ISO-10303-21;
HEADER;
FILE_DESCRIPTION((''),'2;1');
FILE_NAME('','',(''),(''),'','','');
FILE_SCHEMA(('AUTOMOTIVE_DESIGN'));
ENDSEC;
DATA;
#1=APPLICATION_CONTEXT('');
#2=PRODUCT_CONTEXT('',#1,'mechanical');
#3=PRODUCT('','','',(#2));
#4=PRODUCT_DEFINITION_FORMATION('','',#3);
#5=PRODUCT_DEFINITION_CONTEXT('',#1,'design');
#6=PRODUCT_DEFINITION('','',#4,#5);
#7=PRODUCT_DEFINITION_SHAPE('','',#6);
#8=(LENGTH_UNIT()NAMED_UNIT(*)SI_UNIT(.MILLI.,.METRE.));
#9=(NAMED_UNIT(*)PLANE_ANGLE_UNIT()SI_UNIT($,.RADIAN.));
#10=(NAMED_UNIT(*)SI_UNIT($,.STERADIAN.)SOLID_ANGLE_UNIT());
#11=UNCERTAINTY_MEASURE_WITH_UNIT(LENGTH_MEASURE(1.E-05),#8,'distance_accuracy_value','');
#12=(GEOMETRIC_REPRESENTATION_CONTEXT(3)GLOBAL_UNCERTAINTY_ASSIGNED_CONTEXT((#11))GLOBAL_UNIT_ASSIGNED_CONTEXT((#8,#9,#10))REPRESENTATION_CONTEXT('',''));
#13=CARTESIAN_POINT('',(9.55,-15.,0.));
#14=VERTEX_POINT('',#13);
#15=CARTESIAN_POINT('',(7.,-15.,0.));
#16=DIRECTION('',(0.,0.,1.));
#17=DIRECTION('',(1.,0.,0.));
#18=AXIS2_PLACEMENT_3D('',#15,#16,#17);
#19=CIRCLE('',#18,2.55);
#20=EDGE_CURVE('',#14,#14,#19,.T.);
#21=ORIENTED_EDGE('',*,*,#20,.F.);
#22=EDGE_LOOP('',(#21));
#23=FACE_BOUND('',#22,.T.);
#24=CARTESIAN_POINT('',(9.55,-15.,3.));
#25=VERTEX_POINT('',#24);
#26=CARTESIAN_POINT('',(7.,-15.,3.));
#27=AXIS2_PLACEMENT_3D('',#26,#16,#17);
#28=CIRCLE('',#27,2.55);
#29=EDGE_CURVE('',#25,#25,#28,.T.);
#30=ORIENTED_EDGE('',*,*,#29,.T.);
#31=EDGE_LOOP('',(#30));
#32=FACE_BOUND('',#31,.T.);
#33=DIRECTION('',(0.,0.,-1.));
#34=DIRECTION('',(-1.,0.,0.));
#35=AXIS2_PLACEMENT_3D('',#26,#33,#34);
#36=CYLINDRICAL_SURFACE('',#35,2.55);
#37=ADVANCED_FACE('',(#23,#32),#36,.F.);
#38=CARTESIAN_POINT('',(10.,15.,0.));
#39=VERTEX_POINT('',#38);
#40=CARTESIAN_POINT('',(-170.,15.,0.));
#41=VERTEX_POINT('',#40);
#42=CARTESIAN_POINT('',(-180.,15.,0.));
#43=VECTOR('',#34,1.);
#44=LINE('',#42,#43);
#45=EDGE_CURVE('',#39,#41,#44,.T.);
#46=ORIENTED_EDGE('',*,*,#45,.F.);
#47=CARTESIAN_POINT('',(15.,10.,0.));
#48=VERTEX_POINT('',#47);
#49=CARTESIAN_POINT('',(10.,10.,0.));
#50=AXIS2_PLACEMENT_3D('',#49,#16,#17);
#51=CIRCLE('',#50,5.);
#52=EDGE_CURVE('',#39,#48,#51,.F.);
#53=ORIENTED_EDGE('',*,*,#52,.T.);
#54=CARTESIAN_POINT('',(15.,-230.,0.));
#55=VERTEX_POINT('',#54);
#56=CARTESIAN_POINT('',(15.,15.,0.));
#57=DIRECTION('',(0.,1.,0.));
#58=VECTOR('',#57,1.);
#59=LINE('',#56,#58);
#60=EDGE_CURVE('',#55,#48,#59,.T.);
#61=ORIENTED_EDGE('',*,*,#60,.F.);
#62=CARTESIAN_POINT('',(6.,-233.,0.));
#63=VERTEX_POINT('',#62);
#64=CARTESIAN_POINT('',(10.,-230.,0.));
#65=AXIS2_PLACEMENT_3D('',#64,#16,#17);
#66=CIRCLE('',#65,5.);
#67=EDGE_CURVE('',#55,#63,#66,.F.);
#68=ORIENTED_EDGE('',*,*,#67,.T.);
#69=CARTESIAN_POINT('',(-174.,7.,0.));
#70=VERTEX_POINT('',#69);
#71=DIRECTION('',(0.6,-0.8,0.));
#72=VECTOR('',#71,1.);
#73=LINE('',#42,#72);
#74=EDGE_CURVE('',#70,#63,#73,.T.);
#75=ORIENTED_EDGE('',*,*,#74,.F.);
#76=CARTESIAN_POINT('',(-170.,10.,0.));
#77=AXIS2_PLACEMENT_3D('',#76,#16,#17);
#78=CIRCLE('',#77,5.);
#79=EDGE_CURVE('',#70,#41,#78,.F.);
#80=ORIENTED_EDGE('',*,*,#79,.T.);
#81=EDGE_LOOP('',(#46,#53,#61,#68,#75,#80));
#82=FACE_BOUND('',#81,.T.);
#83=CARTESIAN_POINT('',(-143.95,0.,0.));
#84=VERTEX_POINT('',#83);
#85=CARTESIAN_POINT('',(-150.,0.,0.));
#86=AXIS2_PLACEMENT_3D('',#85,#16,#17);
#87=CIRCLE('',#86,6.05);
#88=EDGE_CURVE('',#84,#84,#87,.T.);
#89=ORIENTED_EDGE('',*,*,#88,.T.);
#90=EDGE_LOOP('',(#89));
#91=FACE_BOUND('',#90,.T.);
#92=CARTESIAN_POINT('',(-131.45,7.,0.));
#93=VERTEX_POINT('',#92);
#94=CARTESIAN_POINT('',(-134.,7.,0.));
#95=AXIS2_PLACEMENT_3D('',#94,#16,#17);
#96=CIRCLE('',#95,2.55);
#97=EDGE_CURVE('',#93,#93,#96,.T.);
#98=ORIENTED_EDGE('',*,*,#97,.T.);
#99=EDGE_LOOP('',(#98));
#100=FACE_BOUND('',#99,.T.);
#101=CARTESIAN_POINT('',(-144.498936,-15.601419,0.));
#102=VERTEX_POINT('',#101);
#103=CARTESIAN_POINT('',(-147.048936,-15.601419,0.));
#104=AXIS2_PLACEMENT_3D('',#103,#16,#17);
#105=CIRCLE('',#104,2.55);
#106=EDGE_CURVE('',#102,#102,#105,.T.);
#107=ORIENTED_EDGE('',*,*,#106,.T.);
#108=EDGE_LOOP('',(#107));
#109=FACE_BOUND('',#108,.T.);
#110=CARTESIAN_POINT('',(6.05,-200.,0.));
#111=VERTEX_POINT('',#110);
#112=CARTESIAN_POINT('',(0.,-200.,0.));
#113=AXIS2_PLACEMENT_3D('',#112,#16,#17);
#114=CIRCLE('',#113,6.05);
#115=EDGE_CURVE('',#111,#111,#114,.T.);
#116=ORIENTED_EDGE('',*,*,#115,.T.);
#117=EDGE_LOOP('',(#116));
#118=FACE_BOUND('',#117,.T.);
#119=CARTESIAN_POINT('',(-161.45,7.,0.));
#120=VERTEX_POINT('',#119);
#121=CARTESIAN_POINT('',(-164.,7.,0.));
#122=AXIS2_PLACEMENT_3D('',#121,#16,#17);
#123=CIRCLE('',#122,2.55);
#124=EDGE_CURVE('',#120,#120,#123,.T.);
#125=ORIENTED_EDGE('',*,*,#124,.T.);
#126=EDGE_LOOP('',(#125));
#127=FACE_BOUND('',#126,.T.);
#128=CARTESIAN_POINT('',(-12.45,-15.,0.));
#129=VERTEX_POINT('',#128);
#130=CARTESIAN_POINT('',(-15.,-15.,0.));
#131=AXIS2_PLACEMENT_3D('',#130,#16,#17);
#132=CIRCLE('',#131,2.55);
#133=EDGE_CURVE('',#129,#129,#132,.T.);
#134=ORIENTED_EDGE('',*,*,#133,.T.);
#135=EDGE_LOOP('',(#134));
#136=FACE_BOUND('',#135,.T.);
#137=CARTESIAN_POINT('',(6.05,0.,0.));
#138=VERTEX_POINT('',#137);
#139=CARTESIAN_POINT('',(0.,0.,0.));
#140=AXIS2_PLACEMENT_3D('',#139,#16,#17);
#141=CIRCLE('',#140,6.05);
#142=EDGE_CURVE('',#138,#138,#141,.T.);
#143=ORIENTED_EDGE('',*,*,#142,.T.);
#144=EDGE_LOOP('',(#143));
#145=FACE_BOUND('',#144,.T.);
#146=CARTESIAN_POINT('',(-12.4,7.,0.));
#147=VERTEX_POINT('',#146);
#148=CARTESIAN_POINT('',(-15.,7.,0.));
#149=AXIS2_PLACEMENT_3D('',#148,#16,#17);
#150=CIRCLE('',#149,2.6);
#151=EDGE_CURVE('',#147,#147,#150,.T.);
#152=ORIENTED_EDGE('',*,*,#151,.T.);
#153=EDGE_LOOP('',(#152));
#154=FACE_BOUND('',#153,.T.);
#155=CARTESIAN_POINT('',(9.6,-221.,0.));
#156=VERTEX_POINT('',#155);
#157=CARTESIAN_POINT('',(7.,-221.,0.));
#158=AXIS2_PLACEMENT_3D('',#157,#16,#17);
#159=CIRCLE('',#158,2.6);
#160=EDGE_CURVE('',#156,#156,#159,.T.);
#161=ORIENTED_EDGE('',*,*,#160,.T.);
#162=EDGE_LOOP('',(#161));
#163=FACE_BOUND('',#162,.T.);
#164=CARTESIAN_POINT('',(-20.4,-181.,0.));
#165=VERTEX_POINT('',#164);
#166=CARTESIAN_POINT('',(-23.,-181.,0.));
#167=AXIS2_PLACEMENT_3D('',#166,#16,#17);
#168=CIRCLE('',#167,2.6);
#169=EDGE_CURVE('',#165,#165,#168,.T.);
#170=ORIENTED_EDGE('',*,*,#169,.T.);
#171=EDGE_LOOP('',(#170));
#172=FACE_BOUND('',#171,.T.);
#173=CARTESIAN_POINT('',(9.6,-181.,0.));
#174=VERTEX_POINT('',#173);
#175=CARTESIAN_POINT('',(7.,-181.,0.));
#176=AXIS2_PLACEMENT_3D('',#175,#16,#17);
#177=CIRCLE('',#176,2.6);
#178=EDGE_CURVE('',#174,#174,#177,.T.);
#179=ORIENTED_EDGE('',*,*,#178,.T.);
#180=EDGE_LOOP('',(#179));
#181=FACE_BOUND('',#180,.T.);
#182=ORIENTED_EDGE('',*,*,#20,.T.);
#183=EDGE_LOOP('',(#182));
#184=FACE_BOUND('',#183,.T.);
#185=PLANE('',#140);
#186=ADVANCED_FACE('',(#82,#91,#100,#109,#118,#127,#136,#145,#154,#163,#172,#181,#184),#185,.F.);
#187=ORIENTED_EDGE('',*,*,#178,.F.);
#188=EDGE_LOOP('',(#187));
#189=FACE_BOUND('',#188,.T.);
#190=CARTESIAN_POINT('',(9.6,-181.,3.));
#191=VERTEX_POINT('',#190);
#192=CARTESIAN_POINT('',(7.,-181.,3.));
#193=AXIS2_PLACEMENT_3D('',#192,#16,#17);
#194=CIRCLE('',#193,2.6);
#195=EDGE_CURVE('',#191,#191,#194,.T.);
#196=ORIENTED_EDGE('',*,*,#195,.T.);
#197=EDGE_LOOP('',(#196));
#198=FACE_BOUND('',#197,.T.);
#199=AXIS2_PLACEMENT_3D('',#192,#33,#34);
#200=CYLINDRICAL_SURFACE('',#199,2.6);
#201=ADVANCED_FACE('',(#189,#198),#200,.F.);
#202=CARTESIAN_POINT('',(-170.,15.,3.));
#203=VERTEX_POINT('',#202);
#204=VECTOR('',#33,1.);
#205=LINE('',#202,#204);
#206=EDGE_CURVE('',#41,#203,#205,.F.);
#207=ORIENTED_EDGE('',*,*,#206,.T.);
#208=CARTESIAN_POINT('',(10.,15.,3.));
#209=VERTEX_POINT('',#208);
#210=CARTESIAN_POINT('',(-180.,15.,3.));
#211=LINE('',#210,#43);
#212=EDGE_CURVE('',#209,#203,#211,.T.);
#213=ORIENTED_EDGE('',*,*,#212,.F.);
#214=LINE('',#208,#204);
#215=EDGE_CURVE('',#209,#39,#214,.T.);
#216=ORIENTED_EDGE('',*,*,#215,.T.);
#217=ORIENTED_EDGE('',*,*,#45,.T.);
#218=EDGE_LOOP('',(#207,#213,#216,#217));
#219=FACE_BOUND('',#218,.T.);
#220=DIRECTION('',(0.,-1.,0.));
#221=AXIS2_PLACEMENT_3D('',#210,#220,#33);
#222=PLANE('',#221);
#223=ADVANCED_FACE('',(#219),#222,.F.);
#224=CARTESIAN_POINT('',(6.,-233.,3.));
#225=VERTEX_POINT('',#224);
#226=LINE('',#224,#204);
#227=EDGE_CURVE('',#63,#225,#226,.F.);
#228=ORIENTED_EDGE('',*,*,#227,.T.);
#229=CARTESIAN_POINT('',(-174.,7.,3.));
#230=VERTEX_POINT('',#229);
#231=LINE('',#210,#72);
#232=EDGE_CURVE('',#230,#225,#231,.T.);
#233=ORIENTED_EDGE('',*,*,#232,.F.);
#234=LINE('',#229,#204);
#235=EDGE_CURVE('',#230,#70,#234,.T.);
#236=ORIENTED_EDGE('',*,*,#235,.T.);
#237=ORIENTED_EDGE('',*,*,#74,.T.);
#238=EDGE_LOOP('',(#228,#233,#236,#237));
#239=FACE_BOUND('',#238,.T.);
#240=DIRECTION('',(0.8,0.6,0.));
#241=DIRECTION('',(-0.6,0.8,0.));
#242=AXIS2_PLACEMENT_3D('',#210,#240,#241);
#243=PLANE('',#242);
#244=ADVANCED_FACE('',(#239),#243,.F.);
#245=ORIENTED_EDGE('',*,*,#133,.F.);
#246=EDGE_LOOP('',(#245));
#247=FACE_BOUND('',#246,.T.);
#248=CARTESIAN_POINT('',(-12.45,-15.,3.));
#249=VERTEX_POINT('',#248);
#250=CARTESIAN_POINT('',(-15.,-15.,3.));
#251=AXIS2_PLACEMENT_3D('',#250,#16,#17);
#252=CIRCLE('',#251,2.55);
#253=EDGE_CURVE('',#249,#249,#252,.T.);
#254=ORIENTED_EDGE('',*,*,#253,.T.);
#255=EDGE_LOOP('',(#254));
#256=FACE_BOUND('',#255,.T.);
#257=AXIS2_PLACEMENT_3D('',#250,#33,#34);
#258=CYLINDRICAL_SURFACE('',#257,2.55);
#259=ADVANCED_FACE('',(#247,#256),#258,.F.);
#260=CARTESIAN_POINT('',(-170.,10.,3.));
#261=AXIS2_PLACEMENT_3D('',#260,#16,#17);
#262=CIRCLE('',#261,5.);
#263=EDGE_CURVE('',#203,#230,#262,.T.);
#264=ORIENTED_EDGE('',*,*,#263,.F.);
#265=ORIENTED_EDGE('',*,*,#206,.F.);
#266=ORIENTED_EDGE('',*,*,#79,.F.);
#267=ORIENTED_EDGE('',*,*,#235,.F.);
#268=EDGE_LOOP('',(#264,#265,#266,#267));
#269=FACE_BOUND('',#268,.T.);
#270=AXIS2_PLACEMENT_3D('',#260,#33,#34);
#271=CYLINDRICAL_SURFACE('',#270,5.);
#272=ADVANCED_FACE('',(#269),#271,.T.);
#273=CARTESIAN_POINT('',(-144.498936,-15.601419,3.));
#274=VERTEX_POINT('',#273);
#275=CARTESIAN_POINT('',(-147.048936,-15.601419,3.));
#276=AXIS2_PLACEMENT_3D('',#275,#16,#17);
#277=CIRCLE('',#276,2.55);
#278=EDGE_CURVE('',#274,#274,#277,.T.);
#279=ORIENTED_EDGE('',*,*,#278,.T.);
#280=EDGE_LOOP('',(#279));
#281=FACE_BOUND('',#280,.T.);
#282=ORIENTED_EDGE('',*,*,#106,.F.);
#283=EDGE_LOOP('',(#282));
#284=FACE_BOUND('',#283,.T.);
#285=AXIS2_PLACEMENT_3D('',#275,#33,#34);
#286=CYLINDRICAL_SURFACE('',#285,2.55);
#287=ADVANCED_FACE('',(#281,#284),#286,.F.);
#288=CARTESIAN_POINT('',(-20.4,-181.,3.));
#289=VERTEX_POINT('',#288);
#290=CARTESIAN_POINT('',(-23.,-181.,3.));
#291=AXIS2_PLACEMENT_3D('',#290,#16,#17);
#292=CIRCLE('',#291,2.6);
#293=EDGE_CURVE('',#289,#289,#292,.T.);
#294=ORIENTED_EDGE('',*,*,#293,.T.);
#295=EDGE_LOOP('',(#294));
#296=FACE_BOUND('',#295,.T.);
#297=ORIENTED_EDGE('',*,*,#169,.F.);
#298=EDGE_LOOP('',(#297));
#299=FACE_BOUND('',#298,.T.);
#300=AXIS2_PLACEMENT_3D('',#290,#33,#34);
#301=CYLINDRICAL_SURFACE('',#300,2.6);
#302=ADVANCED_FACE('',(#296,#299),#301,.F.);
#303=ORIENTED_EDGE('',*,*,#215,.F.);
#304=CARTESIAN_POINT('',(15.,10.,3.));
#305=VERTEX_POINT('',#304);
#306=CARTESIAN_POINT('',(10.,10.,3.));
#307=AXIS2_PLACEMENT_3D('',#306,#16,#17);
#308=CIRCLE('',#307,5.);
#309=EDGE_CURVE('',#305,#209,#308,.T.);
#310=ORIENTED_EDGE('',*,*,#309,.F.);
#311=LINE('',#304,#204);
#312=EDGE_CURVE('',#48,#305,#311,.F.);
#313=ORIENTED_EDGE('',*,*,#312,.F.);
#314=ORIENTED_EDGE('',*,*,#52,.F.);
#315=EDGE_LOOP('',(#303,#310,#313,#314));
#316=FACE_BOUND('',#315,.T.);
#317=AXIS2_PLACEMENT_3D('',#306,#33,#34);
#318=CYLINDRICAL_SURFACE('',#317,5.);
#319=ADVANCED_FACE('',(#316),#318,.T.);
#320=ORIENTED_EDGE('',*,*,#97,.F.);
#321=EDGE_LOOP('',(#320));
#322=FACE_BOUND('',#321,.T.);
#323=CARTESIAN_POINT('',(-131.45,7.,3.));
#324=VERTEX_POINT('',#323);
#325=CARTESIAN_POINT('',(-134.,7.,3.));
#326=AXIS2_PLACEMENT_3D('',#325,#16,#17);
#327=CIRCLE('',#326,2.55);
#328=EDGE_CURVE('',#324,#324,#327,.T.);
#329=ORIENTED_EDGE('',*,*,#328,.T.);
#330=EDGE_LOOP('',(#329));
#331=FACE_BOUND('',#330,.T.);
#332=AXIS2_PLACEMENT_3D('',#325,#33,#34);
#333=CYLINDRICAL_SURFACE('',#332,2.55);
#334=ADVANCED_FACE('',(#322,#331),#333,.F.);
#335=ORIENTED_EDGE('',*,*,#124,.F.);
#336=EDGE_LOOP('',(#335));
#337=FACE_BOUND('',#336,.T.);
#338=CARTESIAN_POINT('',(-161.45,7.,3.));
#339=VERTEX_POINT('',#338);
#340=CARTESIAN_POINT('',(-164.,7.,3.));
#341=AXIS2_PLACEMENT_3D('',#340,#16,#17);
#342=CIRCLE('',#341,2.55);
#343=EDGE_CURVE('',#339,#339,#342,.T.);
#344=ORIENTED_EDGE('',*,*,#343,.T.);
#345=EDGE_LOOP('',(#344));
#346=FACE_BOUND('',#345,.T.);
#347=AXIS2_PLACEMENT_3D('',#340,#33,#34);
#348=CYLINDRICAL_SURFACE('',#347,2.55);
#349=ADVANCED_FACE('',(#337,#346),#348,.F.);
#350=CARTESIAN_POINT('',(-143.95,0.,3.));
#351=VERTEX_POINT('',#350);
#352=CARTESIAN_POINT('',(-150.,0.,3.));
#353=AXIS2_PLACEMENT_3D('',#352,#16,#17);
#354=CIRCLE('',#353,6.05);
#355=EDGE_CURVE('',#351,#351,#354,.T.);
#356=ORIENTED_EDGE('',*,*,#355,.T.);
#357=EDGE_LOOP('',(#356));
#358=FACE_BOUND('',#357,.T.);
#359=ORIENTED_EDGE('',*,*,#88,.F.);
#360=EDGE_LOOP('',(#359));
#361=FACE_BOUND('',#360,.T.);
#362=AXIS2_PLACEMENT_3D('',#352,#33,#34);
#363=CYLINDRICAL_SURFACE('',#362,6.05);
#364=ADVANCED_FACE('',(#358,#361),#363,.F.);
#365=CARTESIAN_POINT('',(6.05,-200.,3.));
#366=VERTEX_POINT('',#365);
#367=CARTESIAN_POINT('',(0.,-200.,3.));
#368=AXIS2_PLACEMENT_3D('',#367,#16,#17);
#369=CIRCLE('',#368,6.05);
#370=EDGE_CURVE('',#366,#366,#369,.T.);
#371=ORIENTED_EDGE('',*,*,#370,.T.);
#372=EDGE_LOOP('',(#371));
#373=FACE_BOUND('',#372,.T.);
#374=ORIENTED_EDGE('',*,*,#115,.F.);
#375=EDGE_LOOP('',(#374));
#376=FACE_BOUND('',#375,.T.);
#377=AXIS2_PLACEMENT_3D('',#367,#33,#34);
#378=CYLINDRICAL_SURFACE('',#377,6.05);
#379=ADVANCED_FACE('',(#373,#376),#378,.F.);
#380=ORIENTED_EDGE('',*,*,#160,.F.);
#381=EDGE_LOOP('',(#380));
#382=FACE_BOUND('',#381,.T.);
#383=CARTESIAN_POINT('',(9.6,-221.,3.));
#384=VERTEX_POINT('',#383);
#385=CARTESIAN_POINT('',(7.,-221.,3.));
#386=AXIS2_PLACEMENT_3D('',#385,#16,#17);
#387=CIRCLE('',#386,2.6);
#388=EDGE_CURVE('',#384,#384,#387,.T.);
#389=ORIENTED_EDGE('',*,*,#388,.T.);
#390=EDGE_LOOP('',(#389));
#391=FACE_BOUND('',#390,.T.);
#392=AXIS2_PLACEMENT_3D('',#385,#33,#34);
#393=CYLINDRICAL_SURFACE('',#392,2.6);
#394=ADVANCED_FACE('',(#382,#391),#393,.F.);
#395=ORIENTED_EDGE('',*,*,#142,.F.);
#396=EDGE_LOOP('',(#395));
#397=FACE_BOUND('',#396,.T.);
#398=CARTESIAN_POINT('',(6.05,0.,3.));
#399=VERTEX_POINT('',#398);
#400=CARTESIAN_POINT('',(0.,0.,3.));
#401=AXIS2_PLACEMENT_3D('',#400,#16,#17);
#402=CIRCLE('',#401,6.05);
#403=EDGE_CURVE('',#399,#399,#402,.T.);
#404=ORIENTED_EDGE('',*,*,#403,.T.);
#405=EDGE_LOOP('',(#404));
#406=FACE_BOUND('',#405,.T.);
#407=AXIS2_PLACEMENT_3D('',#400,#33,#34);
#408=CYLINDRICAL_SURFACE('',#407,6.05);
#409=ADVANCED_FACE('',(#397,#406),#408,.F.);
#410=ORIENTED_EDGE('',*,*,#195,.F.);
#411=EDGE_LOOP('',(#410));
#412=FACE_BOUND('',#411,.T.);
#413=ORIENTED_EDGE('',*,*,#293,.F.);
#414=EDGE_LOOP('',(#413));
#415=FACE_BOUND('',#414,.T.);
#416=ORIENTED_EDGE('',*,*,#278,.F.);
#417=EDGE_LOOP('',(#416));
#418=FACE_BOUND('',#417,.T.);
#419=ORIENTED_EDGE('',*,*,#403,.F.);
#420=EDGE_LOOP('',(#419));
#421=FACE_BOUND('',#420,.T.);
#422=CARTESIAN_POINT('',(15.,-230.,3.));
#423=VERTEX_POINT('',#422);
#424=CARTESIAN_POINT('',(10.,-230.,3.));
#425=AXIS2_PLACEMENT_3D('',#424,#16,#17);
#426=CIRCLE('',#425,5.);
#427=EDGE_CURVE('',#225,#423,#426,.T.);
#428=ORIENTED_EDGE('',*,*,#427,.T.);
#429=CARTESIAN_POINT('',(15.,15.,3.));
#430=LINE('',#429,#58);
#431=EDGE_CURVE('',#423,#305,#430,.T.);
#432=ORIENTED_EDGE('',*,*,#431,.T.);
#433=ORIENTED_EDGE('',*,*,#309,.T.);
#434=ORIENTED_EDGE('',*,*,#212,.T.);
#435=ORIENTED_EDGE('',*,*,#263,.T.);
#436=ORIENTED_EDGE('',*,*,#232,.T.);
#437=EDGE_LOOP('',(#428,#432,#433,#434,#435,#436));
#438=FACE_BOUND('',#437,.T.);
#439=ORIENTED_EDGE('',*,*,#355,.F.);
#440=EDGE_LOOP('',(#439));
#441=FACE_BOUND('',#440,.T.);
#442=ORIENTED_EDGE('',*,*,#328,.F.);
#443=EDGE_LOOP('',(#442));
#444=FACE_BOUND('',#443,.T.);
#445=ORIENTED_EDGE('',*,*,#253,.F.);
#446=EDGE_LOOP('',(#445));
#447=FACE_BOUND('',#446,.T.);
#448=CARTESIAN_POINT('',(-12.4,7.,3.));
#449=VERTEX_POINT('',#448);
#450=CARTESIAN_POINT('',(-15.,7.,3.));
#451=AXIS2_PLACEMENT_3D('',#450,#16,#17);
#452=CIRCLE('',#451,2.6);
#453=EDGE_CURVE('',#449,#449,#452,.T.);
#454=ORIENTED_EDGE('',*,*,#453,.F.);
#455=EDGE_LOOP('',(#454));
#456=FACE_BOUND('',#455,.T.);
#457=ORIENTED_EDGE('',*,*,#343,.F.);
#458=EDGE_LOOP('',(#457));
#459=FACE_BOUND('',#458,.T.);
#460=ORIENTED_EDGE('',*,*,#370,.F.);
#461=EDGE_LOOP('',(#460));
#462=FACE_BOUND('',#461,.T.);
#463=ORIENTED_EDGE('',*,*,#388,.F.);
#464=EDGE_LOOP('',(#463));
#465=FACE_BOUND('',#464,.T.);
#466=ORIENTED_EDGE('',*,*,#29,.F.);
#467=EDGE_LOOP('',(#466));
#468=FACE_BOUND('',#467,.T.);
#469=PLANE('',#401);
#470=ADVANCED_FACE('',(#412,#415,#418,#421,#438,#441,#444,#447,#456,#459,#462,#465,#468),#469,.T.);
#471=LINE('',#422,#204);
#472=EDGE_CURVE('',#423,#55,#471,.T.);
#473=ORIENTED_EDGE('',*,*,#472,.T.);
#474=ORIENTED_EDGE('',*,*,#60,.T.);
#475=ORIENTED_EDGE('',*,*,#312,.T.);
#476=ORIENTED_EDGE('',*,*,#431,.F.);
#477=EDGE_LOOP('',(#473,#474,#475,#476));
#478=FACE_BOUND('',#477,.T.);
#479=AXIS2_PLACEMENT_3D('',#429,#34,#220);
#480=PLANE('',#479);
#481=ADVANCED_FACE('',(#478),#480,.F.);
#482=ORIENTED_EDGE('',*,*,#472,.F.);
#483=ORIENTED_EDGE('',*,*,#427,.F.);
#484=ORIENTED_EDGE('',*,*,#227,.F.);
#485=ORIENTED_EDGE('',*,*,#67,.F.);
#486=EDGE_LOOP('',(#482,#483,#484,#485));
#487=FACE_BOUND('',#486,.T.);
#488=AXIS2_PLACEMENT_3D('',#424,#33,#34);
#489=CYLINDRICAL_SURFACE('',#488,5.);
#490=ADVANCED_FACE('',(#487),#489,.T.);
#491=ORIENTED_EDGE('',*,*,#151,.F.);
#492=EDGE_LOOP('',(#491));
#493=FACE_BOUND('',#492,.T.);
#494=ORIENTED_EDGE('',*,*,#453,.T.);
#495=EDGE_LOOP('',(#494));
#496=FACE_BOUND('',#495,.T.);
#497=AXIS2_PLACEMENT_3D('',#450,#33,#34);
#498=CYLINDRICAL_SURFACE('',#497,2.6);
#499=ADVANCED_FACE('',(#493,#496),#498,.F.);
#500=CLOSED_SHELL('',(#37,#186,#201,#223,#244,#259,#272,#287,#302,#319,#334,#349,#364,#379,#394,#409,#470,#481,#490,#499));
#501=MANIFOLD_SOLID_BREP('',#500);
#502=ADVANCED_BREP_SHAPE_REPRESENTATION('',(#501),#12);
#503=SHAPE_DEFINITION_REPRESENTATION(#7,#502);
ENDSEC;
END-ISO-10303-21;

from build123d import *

# Parameters (mm, degrees)
SKETCH_2_R      = 6.05
SKETCH_2_R_2    = 2.55
SKETCH_2_R_3    = 2.6
EXTRUDE_1_DEPTH = 3
FILLET_1_R      = 5


with BuildPart() as part:
    # 草图2 → 凸台-拉伸1 (new body)
    with BuildSketch(Plane.XY):
        Polygon((-180, 15), (15, 15), (15, -245), align=None)
        Circle(SKETCH_2_R, mode=Mode.SUBTRACT)
        with Locations((-150, 0)):
            Circle(SKETCH_2_R, mode=Mode.SUBTRACT)
        with Locations((0, -200)):
            Circle(SKETCH_2_R, mode=Mode.SUBTRACT)
        with Locations((-164, 7)):
            Circle(SKETCH_2_R_2, mode=Mode.SUBTRACT)
        with Locations((-134, 7)):
            Circle(SKETCH_2_R_2, mode=Mode.SUBTRACT)
        with Locations((-147.04893552, -15.601419306)):
            Circle(SKETCH_2_R_2, mode=Mode.SUBTRACT)
        with Locations((-15, 7)):
            Circle(SKETCH_2_R_3, mode=Mode.SUBTRACT)
        with Locations((7, -15)):
            Circle(SKETCH_2_R_2, mode=Mode.SUBTRACT)
        with Locations((7, -221)):
            Circle(SKETCH_2_R_3, mode=Mode.SUBTRACT)
        with Locations((-23, -181)):
            Circle(SKETCH_2_R_3, mode=Mode.SUBTRACT)
        with Locations((7, -181)):
            Circle(SKETCH_2_R_3, mode=Mode.SUBTRACT)
        with Locations((-15, -15)):
            Circle(SKETCH_2_R_2, mode=Mode.SUBTRACT)
    extrude(amount=EXTRUDE_1_DEPTH)

    # 圆角1
    fillet_1_edges = [part.edges().sort_by_distance(p)[0] for p in [
        (-180, 15, 1.5),
        (15, 15, 1.5),
        (15, -245, 1.5),
    ]]
    fillet(fillet_1_edges, radius=FILLET_1_R)


solid = part.part
